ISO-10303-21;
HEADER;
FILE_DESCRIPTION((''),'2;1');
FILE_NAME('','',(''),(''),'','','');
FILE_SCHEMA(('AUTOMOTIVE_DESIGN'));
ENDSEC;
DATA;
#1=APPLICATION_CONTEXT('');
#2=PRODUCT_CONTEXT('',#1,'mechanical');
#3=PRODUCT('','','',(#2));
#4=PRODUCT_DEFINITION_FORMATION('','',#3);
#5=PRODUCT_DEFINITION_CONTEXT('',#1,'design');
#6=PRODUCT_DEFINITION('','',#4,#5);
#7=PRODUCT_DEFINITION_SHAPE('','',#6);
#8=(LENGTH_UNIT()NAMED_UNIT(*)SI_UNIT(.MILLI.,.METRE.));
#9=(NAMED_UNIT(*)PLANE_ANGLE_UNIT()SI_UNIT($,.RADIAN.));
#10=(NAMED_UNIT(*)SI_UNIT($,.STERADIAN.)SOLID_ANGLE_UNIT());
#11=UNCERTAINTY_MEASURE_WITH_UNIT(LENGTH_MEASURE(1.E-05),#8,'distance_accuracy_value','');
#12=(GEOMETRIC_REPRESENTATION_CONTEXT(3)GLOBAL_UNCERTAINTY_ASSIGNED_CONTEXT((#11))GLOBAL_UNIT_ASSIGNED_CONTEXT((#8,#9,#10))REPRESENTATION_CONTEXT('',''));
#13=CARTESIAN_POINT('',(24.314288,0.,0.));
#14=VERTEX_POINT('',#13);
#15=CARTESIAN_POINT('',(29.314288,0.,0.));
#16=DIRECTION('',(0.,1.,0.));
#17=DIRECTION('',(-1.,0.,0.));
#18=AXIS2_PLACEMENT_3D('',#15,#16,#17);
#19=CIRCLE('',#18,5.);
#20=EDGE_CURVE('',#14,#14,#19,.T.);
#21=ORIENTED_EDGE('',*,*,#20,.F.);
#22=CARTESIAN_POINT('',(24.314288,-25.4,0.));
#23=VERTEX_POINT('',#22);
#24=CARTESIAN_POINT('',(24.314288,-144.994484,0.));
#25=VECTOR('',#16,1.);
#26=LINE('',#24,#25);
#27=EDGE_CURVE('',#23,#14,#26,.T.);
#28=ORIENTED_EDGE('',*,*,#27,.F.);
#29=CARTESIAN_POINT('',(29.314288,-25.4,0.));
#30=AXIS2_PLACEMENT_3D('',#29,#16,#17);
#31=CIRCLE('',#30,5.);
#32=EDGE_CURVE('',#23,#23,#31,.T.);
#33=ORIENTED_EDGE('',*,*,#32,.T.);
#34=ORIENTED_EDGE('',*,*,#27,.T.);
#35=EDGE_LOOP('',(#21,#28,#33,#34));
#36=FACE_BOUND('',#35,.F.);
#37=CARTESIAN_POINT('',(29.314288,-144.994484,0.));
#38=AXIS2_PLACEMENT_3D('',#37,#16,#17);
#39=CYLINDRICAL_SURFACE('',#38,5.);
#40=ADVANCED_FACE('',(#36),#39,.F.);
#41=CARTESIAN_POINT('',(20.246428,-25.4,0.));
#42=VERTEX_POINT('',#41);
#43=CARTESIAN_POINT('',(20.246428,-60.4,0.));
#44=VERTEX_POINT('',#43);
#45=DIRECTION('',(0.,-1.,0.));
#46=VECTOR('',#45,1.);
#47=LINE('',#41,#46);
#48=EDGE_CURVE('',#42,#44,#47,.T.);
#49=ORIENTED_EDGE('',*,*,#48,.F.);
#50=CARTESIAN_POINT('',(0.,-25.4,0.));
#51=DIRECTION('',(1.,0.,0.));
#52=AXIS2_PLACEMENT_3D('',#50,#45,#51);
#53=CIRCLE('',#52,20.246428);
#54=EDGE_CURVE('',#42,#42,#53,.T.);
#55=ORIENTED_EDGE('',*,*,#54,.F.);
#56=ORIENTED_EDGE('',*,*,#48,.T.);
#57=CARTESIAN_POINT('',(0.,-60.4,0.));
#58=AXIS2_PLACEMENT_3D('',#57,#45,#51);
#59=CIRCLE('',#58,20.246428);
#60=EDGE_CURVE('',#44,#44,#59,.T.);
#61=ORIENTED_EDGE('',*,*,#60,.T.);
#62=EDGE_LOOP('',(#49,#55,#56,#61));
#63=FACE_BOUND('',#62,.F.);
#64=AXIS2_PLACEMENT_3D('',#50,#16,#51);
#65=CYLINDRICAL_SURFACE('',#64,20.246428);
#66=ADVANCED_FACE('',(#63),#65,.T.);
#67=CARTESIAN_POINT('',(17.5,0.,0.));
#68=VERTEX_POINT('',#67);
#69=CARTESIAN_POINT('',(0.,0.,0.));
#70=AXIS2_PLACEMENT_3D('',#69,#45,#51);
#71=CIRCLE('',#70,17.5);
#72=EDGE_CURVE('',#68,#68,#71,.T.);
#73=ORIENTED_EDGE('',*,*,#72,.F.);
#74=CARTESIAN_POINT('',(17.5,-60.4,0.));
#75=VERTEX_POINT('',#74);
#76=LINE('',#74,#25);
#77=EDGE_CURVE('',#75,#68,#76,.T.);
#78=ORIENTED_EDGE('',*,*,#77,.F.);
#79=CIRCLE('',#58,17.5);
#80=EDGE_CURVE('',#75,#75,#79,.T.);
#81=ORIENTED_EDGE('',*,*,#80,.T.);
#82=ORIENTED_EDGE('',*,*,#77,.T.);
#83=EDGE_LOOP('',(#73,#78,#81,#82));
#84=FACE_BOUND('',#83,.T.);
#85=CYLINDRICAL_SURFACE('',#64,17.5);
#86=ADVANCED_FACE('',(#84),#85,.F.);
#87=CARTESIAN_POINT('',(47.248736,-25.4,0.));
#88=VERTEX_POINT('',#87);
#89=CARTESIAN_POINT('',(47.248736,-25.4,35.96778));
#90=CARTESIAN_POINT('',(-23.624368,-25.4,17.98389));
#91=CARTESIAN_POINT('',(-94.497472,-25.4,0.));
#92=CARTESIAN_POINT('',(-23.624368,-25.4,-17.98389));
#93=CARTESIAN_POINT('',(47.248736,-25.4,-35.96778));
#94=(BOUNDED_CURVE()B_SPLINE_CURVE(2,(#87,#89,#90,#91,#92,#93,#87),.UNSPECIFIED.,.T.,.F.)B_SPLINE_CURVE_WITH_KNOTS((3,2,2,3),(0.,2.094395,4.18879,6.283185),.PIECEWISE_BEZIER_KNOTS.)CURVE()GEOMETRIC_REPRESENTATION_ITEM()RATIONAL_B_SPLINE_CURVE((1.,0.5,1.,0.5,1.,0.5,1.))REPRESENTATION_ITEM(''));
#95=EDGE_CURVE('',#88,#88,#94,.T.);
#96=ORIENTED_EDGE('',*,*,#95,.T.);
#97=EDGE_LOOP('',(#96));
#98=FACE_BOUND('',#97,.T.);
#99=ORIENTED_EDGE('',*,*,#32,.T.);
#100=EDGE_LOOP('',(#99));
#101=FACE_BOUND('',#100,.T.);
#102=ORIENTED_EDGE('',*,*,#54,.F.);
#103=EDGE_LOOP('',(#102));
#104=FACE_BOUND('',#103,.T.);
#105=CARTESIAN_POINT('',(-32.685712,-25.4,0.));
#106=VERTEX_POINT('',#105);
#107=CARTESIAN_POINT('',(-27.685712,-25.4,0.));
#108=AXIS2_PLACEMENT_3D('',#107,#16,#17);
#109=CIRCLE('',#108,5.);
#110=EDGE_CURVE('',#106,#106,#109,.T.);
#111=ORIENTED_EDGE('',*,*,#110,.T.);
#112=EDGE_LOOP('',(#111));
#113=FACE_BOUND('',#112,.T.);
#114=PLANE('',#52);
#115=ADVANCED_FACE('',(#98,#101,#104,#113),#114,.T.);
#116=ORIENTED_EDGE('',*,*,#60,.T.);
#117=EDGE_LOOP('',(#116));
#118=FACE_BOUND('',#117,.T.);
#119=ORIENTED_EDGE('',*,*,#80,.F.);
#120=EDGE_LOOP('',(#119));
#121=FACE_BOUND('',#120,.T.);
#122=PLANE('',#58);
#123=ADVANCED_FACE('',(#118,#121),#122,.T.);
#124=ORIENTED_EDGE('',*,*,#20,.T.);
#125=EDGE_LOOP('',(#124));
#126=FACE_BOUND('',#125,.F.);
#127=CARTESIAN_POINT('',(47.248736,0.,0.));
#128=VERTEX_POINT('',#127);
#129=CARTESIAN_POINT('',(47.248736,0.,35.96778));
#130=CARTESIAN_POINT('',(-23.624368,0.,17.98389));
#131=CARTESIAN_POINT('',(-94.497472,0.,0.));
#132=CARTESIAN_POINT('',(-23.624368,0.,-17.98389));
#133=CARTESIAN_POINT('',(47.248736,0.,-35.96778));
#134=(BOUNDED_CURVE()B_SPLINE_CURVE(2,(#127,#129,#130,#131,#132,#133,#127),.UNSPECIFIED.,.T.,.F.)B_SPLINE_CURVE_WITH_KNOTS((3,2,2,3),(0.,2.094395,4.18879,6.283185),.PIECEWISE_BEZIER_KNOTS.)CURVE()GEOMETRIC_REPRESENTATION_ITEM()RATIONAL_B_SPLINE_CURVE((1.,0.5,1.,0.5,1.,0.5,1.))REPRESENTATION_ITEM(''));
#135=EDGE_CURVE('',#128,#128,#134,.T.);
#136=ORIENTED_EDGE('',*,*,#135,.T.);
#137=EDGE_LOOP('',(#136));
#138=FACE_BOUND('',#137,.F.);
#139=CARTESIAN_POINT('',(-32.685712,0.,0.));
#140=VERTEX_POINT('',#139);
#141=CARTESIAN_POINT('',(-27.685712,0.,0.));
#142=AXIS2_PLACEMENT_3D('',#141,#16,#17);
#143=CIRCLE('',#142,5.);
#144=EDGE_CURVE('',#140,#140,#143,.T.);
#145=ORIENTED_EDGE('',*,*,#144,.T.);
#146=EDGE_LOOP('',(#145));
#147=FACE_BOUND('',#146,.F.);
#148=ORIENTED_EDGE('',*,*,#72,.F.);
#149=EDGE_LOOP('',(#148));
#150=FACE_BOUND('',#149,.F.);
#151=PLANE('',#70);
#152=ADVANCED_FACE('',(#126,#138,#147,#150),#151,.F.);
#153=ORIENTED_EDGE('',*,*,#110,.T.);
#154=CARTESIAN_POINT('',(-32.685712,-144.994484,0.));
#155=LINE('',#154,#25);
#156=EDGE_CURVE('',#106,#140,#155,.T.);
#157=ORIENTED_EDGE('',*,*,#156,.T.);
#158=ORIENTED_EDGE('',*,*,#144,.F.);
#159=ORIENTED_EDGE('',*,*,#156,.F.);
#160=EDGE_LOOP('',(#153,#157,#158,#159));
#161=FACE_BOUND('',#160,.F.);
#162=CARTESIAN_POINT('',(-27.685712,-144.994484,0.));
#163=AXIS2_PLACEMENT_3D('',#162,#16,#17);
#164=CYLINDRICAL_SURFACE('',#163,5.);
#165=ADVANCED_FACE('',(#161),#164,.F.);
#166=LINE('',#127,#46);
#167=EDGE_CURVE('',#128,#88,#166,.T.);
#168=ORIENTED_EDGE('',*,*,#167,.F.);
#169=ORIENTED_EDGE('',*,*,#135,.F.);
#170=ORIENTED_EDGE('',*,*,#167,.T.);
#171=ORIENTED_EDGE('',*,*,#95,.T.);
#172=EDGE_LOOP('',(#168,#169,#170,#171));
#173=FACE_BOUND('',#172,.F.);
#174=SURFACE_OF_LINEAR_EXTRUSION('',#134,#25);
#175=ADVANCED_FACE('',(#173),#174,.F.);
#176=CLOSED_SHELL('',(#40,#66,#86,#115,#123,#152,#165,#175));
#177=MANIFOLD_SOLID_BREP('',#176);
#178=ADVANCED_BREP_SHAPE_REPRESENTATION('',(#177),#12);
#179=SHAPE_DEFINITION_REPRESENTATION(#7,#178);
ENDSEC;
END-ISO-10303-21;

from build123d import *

# Parameters (mm, degrees)
F0_R     = 17.5
F1_DEPTH = 25.4
F3_R     = 20.246428
F3_R_2   = 17.5
F4_DEPTH = 35
F6_D     = 10


with BuildPart() as f1:
    # F0 (on Front) → F1 (new body)
    with BuildSketch(Plane.XZ):
        with BuildLine():
            add(Edge.make_bspline(
                [(47.248736, 0), (47.248736, 35.96778), (-23.624368, 17.98389), (-94.497472, 0), (-23.624368, -17.98389), (47.248736, -35.96778), (47.248736, 0)],
                knots=[0, 0, 0, 2.094395, 2.094395, 4.18879, 4.18879, 6.283185, 6.283185, 6.283185], degree=2, weights=[1, 0.5, 1, 0.5, 1, 0.5, 1]))
        make_face()
        Circle(F0_R, mode=Mode.SUBTRACT)
    extrude(amount=F1_DEPTH)

    # F3 (on face) → F4 (join)
    with BuildSketch(Plane.XZ.offset(25.4)):
        Circle(F3_R)
        Circle(F3_R_2, mode=Mode.SUBTRACT)
    extrude(amount=F4_DEPTH)

    # F6 (through all)
    with Locations(Plane.XZ.offset(25.4)):
        with Locations((-27.685712, 0), (29.314288, 0)):
            Hole(F6_D / 2)


solid = f1.part
